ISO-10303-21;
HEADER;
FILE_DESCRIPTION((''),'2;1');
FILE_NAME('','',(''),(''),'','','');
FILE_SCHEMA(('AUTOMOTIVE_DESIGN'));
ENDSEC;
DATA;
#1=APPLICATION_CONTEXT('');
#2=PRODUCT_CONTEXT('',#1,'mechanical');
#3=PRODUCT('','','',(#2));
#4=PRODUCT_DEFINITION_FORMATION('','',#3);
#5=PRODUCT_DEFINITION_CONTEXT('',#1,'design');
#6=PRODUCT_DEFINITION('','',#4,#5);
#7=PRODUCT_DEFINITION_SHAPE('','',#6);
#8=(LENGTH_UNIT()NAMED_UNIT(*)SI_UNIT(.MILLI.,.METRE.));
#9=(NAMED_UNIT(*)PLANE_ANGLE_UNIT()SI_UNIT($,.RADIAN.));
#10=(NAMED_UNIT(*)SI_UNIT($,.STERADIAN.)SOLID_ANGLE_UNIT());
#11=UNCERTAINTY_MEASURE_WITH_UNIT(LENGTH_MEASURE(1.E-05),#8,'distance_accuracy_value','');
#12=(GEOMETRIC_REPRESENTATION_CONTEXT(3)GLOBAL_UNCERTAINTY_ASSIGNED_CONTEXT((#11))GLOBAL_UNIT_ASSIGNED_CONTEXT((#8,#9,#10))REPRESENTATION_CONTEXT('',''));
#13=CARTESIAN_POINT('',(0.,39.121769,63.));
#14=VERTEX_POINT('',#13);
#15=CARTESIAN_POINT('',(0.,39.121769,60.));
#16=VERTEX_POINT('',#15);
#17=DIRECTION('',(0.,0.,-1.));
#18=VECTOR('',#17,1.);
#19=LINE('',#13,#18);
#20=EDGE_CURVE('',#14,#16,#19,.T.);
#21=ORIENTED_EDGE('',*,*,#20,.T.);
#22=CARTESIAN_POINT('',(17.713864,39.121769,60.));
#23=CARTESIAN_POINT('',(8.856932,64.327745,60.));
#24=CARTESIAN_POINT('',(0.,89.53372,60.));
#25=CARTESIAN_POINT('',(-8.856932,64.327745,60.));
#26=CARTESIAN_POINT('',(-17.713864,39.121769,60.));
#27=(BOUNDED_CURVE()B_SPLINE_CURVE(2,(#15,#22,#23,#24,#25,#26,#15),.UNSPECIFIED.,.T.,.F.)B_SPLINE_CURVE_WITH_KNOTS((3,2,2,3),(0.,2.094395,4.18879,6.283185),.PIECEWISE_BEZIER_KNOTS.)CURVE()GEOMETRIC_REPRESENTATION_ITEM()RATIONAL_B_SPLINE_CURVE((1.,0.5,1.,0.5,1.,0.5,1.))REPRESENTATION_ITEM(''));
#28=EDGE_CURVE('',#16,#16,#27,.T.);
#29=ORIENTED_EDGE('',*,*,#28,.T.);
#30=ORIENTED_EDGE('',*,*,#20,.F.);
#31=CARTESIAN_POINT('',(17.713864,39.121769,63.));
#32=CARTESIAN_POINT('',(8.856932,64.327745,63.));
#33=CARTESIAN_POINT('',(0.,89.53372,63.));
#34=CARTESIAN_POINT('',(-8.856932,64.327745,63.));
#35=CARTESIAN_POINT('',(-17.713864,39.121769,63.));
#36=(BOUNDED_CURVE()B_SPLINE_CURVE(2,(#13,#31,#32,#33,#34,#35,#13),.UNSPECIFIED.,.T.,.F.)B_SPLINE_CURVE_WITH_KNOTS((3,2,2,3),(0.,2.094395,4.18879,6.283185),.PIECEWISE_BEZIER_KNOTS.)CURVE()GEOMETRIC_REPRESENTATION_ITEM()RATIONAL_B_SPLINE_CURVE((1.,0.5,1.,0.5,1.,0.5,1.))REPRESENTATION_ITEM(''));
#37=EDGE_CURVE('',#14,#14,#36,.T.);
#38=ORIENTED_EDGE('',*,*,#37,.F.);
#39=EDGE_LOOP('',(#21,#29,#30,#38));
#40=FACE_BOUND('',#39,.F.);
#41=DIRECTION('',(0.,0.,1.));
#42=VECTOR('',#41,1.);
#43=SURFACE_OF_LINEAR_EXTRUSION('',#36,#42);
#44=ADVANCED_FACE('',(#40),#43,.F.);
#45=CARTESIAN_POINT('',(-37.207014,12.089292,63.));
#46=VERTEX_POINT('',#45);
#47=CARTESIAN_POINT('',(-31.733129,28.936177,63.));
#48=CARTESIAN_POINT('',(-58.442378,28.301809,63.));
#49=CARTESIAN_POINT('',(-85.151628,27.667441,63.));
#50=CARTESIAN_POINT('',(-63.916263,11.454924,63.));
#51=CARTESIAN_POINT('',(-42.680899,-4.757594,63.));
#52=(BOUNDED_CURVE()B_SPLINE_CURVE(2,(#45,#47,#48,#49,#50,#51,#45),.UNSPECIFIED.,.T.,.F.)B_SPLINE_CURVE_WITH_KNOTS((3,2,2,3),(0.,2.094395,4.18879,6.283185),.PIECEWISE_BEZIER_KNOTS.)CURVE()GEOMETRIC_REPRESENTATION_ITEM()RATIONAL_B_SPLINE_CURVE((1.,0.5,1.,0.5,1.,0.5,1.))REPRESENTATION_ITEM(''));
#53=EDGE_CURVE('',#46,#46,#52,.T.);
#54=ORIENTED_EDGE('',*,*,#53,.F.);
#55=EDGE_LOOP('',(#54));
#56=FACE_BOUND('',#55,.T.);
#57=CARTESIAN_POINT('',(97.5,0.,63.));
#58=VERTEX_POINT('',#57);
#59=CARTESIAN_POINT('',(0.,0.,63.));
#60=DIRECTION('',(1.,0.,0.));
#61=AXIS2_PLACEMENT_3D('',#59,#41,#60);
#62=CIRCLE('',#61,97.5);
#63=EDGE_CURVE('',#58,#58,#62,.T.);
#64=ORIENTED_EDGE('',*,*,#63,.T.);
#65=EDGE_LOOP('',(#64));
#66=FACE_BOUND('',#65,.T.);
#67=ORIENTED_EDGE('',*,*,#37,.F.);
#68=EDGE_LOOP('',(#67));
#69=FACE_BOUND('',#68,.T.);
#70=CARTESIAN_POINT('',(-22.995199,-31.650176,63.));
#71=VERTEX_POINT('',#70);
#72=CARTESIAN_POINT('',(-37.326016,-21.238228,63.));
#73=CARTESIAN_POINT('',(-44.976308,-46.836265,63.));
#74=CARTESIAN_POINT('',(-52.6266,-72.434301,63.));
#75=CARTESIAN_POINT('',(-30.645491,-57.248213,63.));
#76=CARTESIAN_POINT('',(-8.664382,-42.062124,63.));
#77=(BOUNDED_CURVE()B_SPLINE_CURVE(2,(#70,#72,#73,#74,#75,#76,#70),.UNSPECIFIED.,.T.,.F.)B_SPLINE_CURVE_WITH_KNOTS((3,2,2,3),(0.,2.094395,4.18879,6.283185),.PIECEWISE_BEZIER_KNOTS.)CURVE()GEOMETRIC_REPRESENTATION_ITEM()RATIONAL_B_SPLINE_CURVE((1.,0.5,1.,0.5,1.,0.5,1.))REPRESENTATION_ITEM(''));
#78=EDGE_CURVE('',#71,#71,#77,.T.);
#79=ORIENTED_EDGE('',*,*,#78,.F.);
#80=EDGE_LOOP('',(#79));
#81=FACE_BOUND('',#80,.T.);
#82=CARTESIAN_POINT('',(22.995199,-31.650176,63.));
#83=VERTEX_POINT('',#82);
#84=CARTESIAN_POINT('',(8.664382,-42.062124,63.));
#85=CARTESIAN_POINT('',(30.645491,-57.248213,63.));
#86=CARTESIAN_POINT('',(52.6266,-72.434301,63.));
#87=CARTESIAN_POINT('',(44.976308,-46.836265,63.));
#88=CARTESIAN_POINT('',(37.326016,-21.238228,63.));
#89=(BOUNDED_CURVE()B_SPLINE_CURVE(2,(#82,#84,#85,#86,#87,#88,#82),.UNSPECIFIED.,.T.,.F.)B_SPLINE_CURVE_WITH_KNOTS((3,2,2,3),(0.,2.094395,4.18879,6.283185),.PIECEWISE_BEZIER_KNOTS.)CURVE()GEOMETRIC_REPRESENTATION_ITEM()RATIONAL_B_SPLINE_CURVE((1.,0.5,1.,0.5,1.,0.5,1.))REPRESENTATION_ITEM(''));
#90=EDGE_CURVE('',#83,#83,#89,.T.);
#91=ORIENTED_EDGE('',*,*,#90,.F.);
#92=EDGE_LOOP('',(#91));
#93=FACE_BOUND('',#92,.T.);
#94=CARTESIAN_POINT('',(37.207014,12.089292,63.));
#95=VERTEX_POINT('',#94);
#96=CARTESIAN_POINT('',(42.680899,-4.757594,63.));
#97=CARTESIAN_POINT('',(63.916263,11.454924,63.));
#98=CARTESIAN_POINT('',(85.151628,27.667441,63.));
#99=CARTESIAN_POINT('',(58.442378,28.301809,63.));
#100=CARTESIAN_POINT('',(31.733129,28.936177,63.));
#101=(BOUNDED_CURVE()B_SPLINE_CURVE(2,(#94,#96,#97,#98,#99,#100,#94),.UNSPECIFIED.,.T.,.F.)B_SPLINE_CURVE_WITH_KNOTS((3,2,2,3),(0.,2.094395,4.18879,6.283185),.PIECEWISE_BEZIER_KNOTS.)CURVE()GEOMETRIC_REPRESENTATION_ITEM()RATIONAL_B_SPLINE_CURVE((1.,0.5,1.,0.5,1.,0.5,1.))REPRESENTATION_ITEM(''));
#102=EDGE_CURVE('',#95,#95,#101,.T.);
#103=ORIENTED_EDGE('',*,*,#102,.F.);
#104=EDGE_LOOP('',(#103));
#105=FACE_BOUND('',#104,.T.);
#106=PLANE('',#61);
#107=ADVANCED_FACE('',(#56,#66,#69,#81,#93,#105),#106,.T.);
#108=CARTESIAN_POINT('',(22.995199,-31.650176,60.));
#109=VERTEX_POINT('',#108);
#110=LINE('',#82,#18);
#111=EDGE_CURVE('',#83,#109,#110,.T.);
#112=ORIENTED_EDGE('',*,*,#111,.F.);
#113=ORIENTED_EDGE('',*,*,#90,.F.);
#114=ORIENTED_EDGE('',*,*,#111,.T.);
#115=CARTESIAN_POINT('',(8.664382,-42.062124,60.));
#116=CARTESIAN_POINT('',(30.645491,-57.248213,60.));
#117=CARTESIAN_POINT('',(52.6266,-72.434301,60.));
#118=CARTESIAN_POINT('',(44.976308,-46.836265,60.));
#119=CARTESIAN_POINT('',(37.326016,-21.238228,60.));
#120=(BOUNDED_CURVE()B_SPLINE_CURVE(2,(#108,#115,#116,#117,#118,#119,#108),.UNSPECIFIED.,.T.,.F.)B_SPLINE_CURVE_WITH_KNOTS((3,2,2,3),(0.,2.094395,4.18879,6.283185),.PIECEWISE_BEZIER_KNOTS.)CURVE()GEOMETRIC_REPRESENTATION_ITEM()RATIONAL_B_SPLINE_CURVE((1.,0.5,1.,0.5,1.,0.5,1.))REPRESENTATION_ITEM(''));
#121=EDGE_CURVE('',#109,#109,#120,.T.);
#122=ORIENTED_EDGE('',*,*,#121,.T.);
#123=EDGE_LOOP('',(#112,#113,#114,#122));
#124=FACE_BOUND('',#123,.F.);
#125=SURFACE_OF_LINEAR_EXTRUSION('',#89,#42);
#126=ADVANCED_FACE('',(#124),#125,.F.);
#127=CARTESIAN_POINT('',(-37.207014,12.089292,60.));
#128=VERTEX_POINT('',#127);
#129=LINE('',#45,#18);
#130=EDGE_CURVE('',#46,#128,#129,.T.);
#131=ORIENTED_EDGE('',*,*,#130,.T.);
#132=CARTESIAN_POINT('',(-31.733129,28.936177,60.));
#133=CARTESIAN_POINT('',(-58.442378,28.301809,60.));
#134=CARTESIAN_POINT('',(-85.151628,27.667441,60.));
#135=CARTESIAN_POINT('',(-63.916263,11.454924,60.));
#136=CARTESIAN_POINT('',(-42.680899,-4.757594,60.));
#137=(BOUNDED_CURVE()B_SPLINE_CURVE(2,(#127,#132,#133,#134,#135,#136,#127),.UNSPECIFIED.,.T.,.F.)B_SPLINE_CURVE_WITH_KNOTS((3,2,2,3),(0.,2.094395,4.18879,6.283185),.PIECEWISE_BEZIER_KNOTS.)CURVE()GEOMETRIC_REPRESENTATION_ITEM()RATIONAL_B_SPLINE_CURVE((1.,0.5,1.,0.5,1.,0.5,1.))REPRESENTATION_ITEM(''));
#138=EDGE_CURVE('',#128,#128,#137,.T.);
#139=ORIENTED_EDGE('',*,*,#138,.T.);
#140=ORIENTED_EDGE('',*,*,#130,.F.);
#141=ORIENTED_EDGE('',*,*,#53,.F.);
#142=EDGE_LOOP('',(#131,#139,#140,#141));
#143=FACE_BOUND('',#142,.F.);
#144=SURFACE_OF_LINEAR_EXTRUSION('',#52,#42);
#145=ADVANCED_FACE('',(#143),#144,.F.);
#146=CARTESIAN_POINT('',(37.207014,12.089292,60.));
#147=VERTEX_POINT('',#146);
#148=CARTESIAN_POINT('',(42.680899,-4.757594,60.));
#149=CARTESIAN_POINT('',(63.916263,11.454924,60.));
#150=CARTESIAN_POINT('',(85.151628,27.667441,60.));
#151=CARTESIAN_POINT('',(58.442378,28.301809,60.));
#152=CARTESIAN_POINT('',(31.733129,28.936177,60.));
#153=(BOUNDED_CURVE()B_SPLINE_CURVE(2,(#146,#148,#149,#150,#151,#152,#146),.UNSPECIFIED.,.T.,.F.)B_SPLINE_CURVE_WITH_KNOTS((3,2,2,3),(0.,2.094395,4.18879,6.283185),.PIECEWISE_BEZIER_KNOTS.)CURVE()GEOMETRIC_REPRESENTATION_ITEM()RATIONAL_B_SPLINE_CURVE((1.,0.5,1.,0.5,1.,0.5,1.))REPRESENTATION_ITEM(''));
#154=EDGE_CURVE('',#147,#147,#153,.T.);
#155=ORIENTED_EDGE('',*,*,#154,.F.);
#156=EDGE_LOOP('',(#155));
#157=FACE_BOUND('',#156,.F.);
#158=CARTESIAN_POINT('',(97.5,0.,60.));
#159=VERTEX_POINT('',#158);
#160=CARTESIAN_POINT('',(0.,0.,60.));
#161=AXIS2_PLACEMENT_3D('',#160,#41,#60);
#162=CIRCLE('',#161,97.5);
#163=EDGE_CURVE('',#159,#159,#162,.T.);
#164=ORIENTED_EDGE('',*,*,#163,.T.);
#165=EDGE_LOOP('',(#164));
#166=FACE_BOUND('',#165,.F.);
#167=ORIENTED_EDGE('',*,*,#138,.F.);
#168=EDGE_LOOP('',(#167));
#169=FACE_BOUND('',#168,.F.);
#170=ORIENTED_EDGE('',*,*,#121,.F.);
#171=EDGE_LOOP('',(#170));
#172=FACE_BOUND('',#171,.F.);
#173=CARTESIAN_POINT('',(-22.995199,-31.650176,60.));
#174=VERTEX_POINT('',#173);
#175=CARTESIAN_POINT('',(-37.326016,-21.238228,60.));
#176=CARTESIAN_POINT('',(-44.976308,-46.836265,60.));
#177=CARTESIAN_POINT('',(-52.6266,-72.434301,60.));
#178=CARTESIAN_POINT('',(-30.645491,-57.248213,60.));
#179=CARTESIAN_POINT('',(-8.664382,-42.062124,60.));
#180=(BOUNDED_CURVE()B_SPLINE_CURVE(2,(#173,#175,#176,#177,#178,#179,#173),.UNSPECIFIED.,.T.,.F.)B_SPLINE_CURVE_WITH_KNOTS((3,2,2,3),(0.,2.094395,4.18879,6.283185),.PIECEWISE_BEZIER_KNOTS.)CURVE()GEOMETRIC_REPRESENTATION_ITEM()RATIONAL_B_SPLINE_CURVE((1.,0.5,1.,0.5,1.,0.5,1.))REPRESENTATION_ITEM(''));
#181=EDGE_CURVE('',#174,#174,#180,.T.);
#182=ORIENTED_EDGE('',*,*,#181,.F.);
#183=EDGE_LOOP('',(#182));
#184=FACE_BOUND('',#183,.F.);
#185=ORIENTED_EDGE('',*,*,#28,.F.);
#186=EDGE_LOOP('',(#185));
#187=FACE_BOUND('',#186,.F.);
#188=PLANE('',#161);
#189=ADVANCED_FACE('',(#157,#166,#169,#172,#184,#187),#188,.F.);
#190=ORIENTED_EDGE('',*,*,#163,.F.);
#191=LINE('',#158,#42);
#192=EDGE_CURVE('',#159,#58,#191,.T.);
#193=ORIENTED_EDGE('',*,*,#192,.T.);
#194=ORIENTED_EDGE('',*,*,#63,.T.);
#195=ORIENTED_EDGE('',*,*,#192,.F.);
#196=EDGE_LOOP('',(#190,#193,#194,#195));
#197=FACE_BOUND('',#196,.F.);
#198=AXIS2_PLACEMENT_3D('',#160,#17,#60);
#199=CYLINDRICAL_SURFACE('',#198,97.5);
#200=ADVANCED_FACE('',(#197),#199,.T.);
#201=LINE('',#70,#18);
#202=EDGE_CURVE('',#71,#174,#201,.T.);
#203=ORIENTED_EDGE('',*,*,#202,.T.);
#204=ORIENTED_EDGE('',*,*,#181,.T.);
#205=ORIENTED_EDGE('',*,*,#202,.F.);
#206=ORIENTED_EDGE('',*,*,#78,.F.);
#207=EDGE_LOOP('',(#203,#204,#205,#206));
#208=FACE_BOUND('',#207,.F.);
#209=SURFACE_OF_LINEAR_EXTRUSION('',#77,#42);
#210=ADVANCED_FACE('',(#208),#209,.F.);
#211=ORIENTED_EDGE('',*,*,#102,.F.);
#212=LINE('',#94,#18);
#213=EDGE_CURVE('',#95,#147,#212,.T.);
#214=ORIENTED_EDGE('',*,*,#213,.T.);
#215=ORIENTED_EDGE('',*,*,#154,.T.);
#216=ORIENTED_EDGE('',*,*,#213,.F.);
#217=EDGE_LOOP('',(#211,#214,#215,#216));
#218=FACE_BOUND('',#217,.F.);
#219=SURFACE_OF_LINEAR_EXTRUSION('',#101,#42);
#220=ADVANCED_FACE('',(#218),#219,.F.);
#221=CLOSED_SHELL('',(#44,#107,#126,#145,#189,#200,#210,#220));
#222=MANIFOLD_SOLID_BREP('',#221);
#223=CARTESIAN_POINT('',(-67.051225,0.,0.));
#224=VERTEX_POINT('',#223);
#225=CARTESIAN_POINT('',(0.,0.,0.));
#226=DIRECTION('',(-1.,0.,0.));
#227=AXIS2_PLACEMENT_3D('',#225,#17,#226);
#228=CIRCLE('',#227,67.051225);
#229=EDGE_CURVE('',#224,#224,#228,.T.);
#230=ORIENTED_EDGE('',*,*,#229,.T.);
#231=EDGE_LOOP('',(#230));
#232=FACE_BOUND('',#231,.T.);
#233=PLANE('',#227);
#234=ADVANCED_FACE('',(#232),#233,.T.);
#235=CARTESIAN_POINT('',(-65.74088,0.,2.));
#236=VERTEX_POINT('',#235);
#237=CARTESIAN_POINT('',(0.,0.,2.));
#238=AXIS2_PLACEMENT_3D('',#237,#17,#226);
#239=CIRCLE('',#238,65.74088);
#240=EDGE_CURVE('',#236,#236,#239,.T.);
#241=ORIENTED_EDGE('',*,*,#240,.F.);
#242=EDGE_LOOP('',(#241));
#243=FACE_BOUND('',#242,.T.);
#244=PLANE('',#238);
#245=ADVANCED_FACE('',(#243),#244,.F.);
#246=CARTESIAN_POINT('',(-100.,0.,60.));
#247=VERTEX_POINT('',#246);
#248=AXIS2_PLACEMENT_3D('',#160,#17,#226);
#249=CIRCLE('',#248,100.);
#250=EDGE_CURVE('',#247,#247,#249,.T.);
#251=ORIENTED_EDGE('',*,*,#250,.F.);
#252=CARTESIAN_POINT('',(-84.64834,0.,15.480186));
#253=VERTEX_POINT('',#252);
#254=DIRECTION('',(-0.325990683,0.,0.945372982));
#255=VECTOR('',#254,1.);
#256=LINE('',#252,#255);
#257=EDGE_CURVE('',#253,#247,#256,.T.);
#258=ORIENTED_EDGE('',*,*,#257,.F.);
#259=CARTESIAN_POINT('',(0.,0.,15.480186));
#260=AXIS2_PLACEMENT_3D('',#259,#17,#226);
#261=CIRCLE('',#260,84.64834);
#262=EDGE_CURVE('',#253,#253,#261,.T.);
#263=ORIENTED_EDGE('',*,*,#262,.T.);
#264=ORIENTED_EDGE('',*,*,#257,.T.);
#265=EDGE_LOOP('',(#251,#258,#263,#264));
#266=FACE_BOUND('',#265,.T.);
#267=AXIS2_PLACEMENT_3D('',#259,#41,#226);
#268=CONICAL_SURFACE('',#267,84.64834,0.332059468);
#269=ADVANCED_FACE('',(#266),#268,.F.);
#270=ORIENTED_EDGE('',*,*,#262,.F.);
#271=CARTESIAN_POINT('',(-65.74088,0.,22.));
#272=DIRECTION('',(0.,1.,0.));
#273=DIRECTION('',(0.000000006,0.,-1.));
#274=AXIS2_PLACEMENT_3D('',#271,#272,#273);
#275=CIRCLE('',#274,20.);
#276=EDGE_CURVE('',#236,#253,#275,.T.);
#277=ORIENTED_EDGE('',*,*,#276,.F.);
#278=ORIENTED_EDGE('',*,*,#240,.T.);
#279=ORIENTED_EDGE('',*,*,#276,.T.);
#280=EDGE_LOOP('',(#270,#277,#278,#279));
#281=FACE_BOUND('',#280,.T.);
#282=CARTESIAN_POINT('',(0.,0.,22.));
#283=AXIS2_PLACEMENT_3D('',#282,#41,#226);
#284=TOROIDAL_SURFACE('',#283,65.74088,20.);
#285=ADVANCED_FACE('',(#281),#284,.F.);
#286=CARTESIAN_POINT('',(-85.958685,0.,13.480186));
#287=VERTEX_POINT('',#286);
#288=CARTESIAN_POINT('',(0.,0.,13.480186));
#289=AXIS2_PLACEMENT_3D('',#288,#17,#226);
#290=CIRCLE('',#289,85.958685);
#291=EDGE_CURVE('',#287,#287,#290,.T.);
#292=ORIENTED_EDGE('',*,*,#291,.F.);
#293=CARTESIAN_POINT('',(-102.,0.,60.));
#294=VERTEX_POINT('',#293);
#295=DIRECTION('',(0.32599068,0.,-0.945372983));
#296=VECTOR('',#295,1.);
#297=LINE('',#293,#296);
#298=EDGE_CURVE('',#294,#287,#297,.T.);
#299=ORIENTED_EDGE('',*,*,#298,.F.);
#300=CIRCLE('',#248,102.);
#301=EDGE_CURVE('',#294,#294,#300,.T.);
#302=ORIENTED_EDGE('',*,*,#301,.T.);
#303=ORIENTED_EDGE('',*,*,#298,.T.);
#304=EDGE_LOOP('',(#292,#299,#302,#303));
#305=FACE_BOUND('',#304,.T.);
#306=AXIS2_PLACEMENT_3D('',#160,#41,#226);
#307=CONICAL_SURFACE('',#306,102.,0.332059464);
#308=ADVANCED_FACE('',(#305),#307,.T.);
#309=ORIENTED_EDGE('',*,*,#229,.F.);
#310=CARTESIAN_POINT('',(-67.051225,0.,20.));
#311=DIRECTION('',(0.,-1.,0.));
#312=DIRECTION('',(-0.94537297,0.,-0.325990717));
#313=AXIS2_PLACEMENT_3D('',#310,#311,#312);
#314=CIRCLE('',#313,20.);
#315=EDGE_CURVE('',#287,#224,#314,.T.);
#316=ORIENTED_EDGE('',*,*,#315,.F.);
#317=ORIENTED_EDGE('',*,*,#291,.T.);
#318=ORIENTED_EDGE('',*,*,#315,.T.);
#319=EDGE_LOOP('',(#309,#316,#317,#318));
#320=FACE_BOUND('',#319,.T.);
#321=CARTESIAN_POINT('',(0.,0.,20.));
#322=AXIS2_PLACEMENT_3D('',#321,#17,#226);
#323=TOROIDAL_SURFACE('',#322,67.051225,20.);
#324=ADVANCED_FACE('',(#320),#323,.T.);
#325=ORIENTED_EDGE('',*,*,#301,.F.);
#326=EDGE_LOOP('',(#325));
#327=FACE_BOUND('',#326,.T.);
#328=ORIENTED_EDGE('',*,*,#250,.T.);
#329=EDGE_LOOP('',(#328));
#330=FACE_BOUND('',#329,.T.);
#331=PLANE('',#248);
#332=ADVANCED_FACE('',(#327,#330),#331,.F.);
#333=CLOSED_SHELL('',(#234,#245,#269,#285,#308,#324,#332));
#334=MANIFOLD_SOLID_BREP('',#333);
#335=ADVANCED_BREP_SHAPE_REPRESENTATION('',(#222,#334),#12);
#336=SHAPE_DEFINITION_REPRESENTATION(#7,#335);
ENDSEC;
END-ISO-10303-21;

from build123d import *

# Parameters (mm, degrees)
F2_R     = 97.5
F3_DEPTH = 3
F6_DEPTH = 3


with BuildPart() as f1:
    # F0 (on Front) → F1 (revolve)
    with BuildSketch(Plane.XZ):
        with BuildLine():
            Line((-100, 60), (-102, 60))
            Line((-102, 60), (-85.958685, 13.480186))
            ThreePointArc((-85.958685, 13.480186), (-78.661646, 3.715095), (-67.051225, 0))
            Line((-67.051225, 0), (0, 0))
            Line((0, 0), (0, 2))
            Line((0, 2), (-65.74088, 2))
            ThreePointArc((-65.74088, 2), (-77.351301, 5.715095), (-84.64834, 15.480186))
            Line((-84.64834, 15.480186), (-100, 60))
        make_face()
    revolve(axis=Axis((0, 0, 1.660261), (0, 0, -1)))


with BuildPart() as f3:
    # F2 (on face) → F3 (new body)
    with BuildSketch(Plane.XY.offset(60)):
        Circle(F2_R)
    extrude(amount=F3_DEPTH)

    # F5 (on face) → F6 (cut, through all)
    with BuildSketch(Plane.XY.offset(63)):
        with BuildLine():
            add(Edge.make_bspline(
                [(0, 39.121769), (17.713864, 39.121769), (8.856932, 64.327745), (0, 89.53372), (-8.856932, 64.327745), (-17.713864, 39.121769), (0, 39.121769)],
                knots=[0, 0, 0, 2.094395, 2.094395, 4.18879, 4.18879, 6.283185, 6.283185, 6.283185], degree=2, weights=[1, 0.5, 1, 0.5, 1, 0.5, 1]))
        make_face()
        with BuildLine():
            add(Edge.make_bspline(
                [(-37.207014, 12.089292), (-31.733129, 28.936177), (-58.442378, 28.301809), (-85.151628, 27.667441), (-63.916263, 11.454924), (-42.680899, -4.757594), (-37.207014, 12.089292)],
                knots=[0, 0, 0, 2.094395, 2.094395, 4.18879, 4.18879, 6.283185, 6.283185, 6.283185], degree=2, weights=[1, 0.5, 1, 0.5, 1, 0.5, 1]))
        make_face()
        with BuildLine():
            add(Edge.make_bspline(
                [(-22.995199, -31.650176), (-37.326016, -21.238228), (-44.976308, -46.836265), (-52.6266, -72.434301), (-30.645491, -57.248213), (-8.664382, -42.062124), (-22.995199, -31.650176)],
                knots=[0, 0, 0, 2.094395, 2.094395, 4.18879, 4.18879, 6.283185, 6.283185, 6.283185], degree=2, weights=[1, 0.5, 1, 0.5, 1, 0.5, 1]))
        make_face()
        with BuildLine():
            add(Edge.make_bspline(
                [(22.995199, -31.650176), (8.664382, -42.062124), (30.645491, -57.248213), (52.6266, -72.434301), (44.976308, -46.836265), (37.326016, -21.238228), (22.995199, -31.650176)],
                knots=[0, 0, 0, 2.094395, 2.094395, 4.18879, 4.18879, 6.283185, 6.283185, 6.283185], degree=2, weights=[1, 0.5, 1, 0.5, 1, 0.5, 1]))
        make_face()
        with BuildLine():
            add(Edge.make_bspline(
                [(37.207014, 12.089292), (42.680899, -4.757594), (63.916263, 11.454924), (85.151628, 27.667441), (58.442378, 28.301809), (31.733129, 28.936177), (37.207014, 12.089292)],
                knots=[0, 0, 0, 2.094395, 2.094395, 4.18879, 4.18879, 6.283185, 6.283185, 6.283185], degree=2, weights=[1, 0.5, 1, 0.5, 1, 0.5, 1]))
        make_face()
    extrude(amount=-F6_DEPTH, mode=Mode.SUBTRACT)


solid = Compound([f1.part, f3.part])
